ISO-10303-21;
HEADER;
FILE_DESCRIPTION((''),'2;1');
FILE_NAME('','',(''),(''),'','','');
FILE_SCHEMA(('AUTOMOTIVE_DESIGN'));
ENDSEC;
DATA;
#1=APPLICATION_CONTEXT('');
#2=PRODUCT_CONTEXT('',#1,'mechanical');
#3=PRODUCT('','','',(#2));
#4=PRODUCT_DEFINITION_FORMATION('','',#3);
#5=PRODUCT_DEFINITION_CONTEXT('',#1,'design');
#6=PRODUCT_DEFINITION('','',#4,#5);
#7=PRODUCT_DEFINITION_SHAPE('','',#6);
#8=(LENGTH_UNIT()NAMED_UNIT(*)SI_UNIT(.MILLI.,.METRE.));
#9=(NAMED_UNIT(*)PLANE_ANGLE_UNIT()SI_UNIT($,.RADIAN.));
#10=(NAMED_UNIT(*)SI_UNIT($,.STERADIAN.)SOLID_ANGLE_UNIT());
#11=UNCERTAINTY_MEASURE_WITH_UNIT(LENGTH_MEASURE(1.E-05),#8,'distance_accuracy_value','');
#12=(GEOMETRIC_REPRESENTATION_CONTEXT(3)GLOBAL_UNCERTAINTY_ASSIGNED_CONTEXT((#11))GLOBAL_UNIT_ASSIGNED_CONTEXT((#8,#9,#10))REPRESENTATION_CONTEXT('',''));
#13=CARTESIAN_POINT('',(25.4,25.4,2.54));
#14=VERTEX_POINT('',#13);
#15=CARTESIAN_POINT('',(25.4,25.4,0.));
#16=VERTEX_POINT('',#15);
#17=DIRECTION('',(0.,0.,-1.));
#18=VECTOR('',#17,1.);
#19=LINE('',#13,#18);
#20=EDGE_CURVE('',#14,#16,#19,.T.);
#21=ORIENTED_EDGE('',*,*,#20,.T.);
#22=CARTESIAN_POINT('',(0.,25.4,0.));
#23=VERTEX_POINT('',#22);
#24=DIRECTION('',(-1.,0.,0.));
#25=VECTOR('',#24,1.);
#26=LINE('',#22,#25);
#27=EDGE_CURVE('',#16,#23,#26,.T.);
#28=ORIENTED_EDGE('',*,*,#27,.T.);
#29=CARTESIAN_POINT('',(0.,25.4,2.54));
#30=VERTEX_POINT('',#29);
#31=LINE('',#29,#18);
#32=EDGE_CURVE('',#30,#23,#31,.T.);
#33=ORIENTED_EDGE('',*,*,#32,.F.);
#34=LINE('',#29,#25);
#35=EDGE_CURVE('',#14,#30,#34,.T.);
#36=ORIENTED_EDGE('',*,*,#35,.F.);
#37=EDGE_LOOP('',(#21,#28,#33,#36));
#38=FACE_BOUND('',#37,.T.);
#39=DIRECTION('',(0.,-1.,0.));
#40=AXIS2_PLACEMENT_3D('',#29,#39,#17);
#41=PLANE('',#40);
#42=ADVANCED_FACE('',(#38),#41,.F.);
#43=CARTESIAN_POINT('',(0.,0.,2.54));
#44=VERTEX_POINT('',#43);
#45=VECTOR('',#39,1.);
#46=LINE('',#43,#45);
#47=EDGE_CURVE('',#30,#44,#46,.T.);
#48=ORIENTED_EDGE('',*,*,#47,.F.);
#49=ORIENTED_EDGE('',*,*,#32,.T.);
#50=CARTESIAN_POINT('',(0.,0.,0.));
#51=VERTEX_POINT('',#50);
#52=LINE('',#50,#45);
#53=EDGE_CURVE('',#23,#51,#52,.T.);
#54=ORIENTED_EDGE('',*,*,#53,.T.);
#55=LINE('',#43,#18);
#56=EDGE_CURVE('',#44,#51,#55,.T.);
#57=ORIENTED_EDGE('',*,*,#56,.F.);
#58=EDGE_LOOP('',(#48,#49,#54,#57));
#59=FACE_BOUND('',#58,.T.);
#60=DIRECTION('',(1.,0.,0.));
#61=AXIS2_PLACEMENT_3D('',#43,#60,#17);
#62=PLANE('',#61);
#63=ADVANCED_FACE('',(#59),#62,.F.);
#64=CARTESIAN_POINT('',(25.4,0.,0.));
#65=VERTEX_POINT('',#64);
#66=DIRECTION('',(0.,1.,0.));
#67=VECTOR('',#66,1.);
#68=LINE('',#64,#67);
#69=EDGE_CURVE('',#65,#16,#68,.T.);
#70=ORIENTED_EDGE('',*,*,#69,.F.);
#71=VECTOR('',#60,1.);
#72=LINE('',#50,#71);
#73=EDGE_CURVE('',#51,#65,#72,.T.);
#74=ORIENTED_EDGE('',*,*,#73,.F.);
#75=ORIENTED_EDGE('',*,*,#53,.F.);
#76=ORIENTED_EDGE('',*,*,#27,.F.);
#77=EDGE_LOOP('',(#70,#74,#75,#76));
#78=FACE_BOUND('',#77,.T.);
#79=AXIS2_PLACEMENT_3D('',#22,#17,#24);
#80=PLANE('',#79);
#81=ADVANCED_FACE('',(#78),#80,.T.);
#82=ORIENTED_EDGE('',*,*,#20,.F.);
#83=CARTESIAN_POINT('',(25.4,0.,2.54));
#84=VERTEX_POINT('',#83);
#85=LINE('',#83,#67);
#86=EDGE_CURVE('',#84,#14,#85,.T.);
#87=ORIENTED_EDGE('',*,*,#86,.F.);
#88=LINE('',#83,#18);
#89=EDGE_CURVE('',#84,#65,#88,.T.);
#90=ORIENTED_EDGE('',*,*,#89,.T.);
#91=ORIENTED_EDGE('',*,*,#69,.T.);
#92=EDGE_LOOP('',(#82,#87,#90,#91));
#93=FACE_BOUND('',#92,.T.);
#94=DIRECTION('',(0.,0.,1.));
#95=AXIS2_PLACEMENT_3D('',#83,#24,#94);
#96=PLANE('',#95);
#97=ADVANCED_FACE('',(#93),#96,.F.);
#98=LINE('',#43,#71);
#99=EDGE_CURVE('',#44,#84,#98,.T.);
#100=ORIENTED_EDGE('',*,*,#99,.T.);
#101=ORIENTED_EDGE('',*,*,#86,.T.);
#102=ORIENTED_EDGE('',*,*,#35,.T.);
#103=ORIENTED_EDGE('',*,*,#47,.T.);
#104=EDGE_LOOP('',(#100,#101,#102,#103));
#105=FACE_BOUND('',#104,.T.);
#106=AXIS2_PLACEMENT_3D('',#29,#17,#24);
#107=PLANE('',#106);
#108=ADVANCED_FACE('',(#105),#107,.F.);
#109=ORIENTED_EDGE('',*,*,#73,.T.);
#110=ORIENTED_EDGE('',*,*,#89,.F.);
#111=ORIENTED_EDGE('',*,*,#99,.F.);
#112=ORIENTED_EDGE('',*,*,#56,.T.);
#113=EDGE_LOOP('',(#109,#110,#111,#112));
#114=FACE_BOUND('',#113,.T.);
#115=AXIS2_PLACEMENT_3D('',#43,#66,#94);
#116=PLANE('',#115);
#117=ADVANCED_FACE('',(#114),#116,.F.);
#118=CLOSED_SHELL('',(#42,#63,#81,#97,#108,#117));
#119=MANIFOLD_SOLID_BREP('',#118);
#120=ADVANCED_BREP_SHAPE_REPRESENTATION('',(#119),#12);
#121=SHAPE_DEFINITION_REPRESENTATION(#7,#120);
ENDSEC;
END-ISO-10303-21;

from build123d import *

# Parameters (mm, degrees)
SKETCH1_W      = 25.4
SKETCH1_H      = 25.4
EXTRUDE1_DEPTH = 2.54


with BuildPart() as part:
    # Sketch1 → Extrude1 (new body)
    with BuildSketch(Plane.XY):
        with Locations((12.7, 12.7)):
            Rectangle(SKETCH1_W, SKETCH1_H)
    extrude(amount=EXTRUDE1_DEPTH)


solid = part.part
